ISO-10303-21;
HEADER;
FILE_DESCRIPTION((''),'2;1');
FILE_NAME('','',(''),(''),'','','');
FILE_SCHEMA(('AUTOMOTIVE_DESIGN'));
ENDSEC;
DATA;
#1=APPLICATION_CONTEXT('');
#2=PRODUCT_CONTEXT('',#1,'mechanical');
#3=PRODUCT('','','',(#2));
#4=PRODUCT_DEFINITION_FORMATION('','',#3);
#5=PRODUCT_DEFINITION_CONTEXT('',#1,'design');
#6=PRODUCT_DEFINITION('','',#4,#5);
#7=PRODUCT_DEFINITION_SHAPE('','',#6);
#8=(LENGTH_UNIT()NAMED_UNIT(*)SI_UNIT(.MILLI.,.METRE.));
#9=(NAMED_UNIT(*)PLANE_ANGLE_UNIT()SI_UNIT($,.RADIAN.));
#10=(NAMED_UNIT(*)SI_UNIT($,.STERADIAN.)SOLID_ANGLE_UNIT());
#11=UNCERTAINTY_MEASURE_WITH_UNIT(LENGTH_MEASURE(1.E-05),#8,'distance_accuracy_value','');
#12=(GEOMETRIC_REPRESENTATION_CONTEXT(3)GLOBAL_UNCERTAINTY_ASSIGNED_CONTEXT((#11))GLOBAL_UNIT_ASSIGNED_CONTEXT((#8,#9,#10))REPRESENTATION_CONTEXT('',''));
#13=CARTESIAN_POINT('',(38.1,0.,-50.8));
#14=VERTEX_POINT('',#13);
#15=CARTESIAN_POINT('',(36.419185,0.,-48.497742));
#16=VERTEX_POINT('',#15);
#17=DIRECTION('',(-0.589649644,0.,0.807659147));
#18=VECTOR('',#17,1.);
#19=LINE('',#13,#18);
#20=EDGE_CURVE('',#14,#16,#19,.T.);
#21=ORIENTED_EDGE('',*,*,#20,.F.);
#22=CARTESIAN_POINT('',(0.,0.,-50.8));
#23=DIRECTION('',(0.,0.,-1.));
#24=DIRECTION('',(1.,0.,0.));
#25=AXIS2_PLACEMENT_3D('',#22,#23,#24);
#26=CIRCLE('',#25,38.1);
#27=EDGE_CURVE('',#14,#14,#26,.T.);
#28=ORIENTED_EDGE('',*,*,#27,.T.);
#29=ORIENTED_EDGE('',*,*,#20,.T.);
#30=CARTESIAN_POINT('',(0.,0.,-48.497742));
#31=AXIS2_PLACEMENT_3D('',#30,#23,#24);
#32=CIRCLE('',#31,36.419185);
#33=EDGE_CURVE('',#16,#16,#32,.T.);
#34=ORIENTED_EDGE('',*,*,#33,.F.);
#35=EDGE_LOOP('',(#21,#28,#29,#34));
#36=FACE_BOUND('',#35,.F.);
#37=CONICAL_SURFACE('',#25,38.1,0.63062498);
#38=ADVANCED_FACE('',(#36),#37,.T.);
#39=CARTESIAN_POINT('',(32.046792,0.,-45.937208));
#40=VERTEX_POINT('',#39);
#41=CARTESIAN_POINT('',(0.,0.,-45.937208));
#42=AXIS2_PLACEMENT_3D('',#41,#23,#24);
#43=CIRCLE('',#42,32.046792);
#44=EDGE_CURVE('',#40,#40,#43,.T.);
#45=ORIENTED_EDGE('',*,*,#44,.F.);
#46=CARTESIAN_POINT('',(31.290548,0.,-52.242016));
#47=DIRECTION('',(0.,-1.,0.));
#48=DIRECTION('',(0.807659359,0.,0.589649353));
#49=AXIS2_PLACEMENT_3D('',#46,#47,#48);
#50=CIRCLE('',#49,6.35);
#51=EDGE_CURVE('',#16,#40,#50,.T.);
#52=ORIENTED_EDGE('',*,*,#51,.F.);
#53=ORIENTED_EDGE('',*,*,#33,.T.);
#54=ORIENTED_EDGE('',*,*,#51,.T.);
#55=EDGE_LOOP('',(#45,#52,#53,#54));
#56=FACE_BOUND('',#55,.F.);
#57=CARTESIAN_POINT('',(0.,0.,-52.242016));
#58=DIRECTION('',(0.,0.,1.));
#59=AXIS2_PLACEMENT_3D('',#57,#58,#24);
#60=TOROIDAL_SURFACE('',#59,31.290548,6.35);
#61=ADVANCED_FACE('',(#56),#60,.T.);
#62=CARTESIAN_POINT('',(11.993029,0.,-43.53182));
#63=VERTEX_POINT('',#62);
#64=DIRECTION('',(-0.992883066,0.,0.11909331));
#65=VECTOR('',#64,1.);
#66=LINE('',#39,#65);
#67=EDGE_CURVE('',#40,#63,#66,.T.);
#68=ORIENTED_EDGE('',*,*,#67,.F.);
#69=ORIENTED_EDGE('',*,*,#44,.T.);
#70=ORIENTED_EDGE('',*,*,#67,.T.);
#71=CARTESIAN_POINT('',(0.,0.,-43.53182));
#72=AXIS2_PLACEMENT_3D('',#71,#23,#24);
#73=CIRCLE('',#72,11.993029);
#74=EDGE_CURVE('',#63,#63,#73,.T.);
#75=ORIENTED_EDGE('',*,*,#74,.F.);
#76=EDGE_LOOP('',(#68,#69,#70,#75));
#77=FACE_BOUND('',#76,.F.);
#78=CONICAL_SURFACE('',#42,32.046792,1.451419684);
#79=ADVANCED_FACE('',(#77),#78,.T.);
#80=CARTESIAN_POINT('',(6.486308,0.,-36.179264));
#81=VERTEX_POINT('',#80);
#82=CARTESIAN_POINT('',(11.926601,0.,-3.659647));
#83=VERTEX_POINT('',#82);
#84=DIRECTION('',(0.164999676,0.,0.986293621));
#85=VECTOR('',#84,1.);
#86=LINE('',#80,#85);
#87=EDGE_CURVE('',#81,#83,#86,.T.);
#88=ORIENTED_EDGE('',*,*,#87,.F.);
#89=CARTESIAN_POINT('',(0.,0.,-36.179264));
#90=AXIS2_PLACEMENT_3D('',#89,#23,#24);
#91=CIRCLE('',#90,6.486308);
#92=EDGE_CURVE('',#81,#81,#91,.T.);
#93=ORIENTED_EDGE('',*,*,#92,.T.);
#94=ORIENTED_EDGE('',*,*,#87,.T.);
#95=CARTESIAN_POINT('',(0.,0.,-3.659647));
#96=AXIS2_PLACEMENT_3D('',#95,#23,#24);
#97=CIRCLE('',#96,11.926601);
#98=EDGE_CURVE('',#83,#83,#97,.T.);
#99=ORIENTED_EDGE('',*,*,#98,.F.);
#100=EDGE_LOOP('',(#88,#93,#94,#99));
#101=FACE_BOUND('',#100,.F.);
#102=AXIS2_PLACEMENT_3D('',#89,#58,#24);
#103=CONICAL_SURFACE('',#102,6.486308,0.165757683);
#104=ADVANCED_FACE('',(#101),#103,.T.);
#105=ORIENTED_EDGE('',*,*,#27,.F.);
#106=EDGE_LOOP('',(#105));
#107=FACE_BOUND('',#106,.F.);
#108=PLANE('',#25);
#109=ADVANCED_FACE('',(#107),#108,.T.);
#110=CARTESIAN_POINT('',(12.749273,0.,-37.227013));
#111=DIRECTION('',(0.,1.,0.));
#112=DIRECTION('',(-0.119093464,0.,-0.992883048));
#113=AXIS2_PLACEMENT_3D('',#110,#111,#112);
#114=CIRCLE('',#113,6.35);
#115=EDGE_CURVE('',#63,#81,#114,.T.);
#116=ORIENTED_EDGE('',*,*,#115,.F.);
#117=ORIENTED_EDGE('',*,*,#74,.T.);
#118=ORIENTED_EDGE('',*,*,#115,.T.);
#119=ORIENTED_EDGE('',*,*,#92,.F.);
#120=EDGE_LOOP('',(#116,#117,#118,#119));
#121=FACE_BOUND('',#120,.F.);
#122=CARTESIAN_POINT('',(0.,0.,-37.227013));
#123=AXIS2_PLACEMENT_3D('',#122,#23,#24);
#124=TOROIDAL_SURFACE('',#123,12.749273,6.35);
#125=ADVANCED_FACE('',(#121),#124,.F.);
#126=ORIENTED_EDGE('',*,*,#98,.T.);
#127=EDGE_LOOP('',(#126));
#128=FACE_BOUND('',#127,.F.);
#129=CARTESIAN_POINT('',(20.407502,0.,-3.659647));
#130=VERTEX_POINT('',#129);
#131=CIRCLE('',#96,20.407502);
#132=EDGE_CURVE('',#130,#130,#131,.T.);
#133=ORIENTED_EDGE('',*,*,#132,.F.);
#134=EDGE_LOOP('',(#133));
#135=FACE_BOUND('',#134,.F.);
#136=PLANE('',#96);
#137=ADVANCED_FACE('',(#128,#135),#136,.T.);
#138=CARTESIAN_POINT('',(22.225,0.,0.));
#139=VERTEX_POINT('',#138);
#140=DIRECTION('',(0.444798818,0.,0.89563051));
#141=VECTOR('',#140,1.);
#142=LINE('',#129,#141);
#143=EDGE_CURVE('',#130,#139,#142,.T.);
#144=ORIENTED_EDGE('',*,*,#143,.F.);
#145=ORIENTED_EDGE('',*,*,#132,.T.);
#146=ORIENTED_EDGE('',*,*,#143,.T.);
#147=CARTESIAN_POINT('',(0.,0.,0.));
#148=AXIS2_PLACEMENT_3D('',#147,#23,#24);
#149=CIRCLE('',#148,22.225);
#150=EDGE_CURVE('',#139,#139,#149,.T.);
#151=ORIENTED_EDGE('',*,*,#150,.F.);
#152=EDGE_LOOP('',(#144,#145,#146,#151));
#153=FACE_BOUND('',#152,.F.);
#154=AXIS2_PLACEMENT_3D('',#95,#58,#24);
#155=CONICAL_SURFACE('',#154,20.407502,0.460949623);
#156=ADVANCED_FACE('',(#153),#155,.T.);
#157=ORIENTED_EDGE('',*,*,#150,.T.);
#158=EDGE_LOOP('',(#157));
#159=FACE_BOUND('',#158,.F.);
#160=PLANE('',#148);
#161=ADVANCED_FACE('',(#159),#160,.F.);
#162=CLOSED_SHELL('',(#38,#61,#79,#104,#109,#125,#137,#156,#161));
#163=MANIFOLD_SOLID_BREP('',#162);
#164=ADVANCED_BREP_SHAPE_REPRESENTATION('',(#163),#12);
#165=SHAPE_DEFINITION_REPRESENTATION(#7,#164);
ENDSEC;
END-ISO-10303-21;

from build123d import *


with BuildPart() as f1:
    # F0 (on Front) → F1 (revolve)
    with BuildSketch(Plane.XZ):
        with BuildLine():
            Line((22.225, 0), (0, 0))
            Line((0, 0), (0, -50.8))
            Line((0, -50.8), (38.1, -50.8))
            Line((38.1, -50.8), (36.419185, -48.497742))
            ThreePointArc((36.419185, -48.497742), (34.499448, -46.762466), (32.046792, -45.937208))
            Line((32.046792, -45.937208), (11.993029, -43.53182))
            ThreePointArc((11.993029, -43.53182), (7.66672, -41.033607), (6.486308, -36.179264))
            Line((6.486308, -36.179264), (11.926601, -3.659647))
            Line((11.926601, -3.659647), (20.407502, -3.659647))
            Line((20.407502, -3.659647), (22.225, 0))
        make_face()
    revolve(axis=Axis((0, 0, -25.4), (0, 0, -1)))


solid = f1.part
